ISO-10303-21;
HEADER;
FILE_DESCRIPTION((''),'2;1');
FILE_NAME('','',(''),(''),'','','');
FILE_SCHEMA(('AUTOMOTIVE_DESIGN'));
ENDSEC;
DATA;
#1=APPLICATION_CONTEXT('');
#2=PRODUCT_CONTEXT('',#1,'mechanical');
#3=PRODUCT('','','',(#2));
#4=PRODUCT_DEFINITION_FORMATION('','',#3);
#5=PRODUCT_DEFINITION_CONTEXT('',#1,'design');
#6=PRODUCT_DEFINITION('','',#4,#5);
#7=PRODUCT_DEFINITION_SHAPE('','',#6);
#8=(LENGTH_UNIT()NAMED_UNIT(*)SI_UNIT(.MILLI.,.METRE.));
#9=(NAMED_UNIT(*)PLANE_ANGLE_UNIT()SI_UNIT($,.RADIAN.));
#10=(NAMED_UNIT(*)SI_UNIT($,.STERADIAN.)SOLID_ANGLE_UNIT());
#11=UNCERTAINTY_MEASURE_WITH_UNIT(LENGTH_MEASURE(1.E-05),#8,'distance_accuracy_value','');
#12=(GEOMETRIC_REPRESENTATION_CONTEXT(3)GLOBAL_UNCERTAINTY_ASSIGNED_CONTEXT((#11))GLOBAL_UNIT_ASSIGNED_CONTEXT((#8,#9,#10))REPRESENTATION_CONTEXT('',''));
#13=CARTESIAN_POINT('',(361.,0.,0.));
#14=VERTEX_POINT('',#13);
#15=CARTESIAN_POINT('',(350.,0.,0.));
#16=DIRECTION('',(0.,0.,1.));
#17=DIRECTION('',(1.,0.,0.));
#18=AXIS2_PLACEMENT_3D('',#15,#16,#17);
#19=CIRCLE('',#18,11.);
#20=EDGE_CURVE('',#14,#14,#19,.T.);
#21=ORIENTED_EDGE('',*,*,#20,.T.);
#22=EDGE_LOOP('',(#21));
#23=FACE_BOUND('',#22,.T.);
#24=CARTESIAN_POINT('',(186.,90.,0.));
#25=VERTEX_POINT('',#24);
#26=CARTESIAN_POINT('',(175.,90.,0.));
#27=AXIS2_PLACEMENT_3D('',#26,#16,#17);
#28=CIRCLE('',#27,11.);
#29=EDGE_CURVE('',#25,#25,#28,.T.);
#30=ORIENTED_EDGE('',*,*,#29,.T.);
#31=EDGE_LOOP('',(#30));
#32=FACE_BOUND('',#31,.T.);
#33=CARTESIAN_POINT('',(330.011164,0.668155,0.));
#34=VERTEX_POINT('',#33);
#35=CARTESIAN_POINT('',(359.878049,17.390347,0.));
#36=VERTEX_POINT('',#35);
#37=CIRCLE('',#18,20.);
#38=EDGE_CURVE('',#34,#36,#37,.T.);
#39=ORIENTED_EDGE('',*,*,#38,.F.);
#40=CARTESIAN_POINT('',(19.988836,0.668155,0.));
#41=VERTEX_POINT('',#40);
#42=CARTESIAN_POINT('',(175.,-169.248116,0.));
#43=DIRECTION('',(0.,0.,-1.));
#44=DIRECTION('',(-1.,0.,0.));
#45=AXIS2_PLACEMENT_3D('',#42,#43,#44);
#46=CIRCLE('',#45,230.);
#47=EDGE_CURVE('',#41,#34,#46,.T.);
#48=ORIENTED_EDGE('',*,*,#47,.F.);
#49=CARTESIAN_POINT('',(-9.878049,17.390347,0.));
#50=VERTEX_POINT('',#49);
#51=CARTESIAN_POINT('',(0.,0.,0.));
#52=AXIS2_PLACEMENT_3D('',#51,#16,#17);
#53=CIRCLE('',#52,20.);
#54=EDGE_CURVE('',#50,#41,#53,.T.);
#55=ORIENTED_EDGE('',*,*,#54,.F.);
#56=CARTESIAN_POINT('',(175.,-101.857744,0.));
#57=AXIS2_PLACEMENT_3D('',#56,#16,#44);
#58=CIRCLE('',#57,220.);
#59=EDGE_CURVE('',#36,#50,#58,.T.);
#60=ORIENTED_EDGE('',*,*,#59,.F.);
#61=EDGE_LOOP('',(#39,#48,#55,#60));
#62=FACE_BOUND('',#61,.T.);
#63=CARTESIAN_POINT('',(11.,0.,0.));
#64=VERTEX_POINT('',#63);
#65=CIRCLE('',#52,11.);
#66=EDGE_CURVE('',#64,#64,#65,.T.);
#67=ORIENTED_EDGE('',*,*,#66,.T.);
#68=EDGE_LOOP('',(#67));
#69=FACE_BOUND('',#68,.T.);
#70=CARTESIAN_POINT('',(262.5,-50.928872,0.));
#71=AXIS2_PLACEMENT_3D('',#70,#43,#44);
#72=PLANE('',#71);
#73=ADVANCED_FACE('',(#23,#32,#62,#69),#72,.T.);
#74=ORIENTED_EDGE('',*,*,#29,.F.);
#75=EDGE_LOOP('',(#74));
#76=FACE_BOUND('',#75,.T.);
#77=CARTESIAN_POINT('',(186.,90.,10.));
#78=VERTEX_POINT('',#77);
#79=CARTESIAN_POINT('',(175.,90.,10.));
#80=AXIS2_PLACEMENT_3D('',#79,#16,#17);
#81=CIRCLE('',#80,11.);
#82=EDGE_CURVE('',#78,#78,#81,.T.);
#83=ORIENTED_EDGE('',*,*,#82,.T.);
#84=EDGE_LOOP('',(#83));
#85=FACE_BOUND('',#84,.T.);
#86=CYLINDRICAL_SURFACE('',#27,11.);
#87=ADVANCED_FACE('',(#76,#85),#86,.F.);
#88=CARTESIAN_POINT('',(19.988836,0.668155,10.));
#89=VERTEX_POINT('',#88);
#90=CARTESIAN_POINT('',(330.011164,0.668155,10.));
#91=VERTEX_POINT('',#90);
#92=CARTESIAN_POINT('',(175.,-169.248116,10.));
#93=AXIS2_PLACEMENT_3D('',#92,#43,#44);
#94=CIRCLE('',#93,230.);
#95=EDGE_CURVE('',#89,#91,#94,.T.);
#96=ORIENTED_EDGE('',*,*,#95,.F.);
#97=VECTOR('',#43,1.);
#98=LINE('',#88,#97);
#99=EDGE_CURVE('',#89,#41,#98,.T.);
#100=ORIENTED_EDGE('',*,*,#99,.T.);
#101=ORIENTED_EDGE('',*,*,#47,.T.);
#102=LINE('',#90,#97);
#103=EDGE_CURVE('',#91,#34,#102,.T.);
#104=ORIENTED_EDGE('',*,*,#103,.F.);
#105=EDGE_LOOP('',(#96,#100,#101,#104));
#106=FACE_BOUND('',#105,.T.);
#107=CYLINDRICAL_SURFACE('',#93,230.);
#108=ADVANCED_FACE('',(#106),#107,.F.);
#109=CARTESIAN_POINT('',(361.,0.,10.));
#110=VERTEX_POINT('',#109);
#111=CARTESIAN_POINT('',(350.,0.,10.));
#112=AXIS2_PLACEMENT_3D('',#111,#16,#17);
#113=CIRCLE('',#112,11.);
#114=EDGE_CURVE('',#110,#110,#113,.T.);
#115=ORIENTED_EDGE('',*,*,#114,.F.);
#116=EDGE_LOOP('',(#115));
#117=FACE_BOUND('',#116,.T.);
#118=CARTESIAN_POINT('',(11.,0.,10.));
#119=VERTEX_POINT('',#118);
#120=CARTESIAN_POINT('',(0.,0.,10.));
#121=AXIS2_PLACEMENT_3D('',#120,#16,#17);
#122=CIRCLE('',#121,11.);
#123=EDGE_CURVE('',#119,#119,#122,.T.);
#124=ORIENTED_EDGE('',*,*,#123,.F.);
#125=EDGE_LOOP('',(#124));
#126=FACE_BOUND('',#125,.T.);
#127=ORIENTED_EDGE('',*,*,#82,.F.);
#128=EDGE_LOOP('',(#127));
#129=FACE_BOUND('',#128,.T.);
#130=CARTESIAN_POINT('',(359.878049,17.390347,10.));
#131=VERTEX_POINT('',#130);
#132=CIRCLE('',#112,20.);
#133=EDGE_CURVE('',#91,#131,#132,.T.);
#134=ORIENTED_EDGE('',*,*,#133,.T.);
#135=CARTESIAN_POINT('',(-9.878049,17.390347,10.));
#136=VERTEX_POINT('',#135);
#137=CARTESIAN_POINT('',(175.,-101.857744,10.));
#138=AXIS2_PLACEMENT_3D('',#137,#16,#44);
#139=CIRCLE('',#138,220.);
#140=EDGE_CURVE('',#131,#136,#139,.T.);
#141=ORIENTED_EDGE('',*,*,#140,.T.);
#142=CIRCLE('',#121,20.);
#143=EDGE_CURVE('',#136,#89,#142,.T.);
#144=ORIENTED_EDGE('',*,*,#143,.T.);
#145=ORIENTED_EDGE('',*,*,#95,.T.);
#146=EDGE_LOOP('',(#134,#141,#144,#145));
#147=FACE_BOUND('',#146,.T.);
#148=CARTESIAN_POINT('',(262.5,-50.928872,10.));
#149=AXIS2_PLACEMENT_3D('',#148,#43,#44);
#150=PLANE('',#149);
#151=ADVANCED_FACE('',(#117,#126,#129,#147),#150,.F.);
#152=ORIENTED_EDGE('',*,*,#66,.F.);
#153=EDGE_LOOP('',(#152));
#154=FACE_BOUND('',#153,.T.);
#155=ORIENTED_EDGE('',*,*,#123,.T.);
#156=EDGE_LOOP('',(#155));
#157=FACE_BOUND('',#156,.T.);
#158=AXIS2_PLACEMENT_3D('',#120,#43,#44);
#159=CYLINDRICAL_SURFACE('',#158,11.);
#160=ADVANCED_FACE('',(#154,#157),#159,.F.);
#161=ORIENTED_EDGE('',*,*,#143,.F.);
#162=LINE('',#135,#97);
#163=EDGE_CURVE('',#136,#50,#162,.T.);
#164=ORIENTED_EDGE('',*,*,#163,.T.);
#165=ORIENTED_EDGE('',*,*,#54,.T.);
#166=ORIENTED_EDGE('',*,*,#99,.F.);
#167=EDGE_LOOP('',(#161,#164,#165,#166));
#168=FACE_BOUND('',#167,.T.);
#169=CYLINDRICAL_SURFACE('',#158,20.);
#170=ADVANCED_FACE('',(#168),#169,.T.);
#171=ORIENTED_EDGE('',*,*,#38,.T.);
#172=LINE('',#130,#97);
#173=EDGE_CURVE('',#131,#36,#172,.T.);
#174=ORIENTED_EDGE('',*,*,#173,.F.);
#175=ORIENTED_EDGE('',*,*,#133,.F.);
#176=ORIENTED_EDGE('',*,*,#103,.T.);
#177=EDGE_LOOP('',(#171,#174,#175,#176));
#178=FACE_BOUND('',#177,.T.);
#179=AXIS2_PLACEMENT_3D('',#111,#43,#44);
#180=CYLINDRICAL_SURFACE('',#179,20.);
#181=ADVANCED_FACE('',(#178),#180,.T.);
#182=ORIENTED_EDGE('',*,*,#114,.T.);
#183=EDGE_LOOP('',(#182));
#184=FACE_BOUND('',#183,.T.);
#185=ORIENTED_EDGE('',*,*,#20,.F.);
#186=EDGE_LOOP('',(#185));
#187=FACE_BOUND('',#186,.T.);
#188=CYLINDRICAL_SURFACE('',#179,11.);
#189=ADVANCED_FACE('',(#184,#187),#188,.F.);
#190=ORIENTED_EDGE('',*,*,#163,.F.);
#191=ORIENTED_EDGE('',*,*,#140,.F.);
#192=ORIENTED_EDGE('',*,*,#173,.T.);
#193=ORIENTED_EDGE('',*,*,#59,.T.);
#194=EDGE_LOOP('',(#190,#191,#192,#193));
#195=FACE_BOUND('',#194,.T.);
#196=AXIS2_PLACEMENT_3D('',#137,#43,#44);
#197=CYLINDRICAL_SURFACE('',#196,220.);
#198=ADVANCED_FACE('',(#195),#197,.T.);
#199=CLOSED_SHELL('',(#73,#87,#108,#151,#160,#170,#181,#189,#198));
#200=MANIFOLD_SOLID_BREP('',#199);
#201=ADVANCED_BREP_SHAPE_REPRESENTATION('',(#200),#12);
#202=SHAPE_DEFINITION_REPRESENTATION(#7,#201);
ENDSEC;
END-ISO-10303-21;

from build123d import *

# Parameters (mm, degrees)
SKETCH1_R           = 11
BOSS_EXTRUDE1_DEPTH = 10
SKETCH3_R           = 11
CUT_EXTRUDE1_DEPTH  = 10


with BuildPart() as part:
    # Sketch1 → Boss-Extrude1 (new body)
    with BuildSketch(Plane.XY):
        with BuildLine():
            ThreePointArc((-9.87804878, 17.390346526), (-9.770615429, -17.450933332), (19.9888361, 0.668155187))
            ThreePointArc((19.9888361, 0.668155187), (175, 60.751884434), (330.0111639, 0.668155187))
            ThreePointArc((330.0111639, 0.668155187), (359.770615429, -17.450933332), (359.87804878, 17.390346526))
            ThreePointArc((359.87804878, 17.390346526), (175, 118.142256063), (-9.87804878, 17.390346526))
        make_face()
        Circle(SKETCH1_R, mode=Mode.SUBTRACT)
        with Locations((350, 0)):
            Circle(SKETCH1_R, mode=Mode.SUBTRACT)
    extrude(amount=BOSS_EXTRUDE1_DEPTH)

    # Sketch3 → Cut-Extrude1 (cut)
    with BuildSketch(Plane.XY.offset(10)):
        with Locations((175, 90)):
            Circle(SKETCH3_R)
    extrude(amount=-CUT_EXTRUDE1_DEPTH, mode=Mode.SUBTRACT)


solid = part.part
